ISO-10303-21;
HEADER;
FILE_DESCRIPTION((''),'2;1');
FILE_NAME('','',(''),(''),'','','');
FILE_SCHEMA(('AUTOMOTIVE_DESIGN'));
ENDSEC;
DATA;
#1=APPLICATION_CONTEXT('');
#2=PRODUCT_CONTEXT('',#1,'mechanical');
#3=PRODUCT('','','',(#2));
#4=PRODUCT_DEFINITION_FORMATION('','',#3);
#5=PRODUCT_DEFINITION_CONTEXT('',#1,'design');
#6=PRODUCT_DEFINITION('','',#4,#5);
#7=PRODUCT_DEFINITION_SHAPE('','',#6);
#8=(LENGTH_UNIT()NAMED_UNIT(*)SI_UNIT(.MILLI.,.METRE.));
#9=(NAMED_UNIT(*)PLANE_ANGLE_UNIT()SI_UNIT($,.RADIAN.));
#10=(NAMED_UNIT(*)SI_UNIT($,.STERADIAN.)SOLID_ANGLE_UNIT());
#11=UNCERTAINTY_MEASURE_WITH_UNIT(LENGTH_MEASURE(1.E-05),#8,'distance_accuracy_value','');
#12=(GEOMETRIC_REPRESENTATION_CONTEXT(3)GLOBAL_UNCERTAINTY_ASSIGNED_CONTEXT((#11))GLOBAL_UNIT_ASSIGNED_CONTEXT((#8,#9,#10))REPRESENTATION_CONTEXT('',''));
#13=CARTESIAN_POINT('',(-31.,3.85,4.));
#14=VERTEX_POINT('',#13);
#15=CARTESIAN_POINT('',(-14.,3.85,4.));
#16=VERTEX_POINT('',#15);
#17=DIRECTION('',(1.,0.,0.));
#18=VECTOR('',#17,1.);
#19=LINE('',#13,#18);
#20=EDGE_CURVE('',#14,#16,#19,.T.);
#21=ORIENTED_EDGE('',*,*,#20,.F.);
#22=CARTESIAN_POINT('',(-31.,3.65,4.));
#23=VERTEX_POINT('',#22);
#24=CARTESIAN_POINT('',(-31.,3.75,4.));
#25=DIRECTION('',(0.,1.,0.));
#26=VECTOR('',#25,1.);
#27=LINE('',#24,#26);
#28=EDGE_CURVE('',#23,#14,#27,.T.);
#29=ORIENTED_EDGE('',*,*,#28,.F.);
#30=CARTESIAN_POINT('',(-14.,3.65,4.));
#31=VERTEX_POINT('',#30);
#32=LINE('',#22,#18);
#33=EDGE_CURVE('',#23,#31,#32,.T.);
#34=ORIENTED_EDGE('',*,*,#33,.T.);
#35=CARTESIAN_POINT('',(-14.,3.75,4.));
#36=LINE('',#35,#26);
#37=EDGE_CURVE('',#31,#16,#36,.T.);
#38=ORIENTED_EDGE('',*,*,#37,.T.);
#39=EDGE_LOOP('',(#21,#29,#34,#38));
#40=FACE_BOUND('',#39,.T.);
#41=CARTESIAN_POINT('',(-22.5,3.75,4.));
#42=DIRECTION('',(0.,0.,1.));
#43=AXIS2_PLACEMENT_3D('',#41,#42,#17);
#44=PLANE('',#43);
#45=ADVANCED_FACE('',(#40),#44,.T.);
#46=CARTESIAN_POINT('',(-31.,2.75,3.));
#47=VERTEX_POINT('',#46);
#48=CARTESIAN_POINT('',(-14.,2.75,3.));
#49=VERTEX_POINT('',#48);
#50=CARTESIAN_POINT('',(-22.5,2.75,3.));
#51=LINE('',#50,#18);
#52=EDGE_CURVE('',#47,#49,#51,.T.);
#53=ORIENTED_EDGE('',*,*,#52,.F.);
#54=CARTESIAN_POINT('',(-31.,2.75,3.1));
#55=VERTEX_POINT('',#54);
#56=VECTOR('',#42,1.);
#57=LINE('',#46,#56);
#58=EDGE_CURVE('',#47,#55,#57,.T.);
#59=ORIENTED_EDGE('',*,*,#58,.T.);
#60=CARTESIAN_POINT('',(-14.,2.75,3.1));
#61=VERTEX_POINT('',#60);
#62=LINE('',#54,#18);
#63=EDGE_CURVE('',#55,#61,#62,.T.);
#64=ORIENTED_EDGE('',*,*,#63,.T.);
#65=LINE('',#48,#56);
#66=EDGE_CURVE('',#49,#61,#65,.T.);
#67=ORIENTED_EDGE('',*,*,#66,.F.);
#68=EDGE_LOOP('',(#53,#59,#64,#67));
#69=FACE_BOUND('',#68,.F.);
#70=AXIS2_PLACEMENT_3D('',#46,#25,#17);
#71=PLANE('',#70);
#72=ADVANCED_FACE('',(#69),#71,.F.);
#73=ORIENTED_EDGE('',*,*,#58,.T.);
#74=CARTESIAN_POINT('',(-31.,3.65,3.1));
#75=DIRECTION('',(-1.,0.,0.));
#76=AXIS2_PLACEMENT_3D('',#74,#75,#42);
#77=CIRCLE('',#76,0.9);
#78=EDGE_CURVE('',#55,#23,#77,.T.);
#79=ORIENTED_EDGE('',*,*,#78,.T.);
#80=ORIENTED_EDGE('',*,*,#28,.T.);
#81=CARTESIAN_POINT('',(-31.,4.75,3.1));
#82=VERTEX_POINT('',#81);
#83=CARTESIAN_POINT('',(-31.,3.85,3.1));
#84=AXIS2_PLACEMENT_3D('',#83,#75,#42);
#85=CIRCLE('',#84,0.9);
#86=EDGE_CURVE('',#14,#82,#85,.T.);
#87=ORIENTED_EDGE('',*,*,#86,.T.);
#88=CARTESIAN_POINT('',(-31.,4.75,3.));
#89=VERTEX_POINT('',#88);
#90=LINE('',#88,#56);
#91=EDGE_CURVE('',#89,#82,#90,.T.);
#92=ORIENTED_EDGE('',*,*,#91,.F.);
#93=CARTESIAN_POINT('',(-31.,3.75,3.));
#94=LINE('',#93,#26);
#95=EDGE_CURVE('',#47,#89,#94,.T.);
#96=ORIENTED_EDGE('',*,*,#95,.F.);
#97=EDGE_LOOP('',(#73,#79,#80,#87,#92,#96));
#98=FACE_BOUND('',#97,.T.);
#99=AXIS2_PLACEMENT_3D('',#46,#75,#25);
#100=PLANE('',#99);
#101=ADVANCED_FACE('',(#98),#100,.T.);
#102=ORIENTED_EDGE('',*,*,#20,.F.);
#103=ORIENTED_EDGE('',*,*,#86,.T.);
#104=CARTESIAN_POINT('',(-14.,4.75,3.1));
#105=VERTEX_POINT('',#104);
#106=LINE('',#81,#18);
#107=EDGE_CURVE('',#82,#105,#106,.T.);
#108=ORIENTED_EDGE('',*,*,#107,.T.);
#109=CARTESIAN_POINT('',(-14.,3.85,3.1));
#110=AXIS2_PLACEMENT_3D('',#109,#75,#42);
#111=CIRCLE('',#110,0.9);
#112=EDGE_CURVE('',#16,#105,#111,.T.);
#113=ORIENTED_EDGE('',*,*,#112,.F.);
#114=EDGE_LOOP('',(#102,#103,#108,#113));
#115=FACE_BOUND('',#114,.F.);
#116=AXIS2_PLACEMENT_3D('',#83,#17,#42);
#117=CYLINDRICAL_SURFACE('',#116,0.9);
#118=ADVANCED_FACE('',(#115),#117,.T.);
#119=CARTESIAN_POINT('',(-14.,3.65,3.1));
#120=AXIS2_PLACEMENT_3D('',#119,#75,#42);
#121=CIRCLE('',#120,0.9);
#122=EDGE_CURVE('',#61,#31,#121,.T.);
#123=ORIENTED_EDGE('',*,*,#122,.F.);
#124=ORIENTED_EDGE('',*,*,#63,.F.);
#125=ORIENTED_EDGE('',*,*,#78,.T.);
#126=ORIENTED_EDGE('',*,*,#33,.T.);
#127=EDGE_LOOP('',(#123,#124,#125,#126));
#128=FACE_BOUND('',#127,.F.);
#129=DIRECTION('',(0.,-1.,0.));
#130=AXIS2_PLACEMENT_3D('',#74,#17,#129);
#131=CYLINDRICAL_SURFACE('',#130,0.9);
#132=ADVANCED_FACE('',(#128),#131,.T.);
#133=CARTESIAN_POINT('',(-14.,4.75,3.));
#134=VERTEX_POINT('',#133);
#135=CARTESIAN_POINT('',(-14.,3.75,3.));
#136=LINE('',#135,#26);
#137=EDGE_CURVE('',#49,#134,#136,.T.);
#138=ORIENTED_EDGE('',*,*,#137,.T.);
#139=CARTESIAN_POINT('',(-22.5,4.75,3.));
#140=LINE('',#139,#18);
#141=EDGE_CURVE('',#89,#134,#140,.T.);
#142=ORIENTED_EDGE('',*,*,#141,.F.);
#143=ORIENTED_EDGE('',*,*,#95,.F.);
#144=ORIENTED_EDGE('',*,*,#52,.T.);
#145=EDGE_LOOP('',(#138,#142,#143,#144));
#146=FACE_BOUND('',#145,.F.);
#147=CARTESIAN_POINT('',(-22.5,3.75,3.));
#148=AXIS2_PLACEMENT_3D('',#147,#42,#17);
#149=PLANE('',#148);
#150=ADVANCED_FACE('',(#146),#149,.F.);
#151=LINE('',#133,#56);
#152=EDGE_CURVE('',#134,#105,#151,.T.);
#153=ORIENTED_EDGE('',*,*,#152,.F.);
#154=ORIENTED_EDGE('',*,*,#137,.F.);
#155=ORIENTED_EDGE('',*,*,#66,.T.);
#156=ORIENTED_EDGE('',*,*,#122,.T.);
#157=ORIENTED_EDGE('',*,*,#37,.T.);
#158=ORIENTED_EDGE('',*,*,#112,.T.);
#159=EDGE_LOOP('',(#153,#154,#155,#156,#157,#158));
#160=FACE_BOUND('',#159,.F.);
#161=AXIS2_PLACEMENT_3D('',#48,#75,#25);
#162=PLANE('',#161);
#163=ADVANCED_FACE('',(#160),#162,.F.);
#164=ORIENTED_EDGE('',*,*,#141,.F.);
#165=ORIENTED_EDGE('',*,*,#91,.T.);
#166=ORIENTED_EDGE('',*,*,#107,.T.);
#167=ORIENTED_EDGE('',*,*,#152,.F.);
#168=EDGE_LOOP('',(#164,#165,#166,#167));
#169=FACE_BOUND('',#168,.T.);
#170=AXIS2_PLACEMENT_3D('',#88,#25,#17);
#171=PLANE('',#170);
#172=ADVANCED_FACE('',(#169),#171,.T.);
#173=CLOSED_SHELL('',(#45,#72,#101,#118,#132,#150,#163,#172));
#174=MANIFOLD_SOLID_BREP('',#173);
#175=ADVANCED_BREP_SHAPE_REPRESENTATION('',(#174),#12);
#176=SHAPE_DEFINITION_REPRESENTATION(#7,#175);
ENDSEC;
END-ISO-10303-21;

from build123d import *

# Parameters (mm, degrees)
BOX006_W     = 17
BOX006_H     = 2
BOX006_DEPTH = 1
FILLET008_R  = 0.9
FILLET009_R  = 0.9


with BuildPart() as part:
    # Box006 → Box006 (new body)
    with BuildSketch(Plane(origin=(-31, -4.75, 3), x_dir=(1, 0, 0), z_dir=(0, 0, 1))):
        with Locations((8.5, 1)):
            Rectangle(BOX006_W, BOX006_H)
    extrude(amount=BOX006_DEPTH)

    # Fillet008
    fillet008_edges = [part.edges().sort_by_distance(p)[0] for p in [
        (-22.5, -4.75, 4),
    ]]
    fillet(fillet008_edges, radius=FILLET008_R)

    # Fillet009
    fillet009_edges = [part.edges().sort_by_distance(p)[0] for p in [
        (-22.5, -2.75, 4),
    ]]
    fillet(fillet009_edges, radius=FILLET009_R)


with BuildPart() as part_1:
    # Fillet009 placement: moved
    add(part.part.moved(Location((0, 7.5, 0))))


solid = part_1.part
